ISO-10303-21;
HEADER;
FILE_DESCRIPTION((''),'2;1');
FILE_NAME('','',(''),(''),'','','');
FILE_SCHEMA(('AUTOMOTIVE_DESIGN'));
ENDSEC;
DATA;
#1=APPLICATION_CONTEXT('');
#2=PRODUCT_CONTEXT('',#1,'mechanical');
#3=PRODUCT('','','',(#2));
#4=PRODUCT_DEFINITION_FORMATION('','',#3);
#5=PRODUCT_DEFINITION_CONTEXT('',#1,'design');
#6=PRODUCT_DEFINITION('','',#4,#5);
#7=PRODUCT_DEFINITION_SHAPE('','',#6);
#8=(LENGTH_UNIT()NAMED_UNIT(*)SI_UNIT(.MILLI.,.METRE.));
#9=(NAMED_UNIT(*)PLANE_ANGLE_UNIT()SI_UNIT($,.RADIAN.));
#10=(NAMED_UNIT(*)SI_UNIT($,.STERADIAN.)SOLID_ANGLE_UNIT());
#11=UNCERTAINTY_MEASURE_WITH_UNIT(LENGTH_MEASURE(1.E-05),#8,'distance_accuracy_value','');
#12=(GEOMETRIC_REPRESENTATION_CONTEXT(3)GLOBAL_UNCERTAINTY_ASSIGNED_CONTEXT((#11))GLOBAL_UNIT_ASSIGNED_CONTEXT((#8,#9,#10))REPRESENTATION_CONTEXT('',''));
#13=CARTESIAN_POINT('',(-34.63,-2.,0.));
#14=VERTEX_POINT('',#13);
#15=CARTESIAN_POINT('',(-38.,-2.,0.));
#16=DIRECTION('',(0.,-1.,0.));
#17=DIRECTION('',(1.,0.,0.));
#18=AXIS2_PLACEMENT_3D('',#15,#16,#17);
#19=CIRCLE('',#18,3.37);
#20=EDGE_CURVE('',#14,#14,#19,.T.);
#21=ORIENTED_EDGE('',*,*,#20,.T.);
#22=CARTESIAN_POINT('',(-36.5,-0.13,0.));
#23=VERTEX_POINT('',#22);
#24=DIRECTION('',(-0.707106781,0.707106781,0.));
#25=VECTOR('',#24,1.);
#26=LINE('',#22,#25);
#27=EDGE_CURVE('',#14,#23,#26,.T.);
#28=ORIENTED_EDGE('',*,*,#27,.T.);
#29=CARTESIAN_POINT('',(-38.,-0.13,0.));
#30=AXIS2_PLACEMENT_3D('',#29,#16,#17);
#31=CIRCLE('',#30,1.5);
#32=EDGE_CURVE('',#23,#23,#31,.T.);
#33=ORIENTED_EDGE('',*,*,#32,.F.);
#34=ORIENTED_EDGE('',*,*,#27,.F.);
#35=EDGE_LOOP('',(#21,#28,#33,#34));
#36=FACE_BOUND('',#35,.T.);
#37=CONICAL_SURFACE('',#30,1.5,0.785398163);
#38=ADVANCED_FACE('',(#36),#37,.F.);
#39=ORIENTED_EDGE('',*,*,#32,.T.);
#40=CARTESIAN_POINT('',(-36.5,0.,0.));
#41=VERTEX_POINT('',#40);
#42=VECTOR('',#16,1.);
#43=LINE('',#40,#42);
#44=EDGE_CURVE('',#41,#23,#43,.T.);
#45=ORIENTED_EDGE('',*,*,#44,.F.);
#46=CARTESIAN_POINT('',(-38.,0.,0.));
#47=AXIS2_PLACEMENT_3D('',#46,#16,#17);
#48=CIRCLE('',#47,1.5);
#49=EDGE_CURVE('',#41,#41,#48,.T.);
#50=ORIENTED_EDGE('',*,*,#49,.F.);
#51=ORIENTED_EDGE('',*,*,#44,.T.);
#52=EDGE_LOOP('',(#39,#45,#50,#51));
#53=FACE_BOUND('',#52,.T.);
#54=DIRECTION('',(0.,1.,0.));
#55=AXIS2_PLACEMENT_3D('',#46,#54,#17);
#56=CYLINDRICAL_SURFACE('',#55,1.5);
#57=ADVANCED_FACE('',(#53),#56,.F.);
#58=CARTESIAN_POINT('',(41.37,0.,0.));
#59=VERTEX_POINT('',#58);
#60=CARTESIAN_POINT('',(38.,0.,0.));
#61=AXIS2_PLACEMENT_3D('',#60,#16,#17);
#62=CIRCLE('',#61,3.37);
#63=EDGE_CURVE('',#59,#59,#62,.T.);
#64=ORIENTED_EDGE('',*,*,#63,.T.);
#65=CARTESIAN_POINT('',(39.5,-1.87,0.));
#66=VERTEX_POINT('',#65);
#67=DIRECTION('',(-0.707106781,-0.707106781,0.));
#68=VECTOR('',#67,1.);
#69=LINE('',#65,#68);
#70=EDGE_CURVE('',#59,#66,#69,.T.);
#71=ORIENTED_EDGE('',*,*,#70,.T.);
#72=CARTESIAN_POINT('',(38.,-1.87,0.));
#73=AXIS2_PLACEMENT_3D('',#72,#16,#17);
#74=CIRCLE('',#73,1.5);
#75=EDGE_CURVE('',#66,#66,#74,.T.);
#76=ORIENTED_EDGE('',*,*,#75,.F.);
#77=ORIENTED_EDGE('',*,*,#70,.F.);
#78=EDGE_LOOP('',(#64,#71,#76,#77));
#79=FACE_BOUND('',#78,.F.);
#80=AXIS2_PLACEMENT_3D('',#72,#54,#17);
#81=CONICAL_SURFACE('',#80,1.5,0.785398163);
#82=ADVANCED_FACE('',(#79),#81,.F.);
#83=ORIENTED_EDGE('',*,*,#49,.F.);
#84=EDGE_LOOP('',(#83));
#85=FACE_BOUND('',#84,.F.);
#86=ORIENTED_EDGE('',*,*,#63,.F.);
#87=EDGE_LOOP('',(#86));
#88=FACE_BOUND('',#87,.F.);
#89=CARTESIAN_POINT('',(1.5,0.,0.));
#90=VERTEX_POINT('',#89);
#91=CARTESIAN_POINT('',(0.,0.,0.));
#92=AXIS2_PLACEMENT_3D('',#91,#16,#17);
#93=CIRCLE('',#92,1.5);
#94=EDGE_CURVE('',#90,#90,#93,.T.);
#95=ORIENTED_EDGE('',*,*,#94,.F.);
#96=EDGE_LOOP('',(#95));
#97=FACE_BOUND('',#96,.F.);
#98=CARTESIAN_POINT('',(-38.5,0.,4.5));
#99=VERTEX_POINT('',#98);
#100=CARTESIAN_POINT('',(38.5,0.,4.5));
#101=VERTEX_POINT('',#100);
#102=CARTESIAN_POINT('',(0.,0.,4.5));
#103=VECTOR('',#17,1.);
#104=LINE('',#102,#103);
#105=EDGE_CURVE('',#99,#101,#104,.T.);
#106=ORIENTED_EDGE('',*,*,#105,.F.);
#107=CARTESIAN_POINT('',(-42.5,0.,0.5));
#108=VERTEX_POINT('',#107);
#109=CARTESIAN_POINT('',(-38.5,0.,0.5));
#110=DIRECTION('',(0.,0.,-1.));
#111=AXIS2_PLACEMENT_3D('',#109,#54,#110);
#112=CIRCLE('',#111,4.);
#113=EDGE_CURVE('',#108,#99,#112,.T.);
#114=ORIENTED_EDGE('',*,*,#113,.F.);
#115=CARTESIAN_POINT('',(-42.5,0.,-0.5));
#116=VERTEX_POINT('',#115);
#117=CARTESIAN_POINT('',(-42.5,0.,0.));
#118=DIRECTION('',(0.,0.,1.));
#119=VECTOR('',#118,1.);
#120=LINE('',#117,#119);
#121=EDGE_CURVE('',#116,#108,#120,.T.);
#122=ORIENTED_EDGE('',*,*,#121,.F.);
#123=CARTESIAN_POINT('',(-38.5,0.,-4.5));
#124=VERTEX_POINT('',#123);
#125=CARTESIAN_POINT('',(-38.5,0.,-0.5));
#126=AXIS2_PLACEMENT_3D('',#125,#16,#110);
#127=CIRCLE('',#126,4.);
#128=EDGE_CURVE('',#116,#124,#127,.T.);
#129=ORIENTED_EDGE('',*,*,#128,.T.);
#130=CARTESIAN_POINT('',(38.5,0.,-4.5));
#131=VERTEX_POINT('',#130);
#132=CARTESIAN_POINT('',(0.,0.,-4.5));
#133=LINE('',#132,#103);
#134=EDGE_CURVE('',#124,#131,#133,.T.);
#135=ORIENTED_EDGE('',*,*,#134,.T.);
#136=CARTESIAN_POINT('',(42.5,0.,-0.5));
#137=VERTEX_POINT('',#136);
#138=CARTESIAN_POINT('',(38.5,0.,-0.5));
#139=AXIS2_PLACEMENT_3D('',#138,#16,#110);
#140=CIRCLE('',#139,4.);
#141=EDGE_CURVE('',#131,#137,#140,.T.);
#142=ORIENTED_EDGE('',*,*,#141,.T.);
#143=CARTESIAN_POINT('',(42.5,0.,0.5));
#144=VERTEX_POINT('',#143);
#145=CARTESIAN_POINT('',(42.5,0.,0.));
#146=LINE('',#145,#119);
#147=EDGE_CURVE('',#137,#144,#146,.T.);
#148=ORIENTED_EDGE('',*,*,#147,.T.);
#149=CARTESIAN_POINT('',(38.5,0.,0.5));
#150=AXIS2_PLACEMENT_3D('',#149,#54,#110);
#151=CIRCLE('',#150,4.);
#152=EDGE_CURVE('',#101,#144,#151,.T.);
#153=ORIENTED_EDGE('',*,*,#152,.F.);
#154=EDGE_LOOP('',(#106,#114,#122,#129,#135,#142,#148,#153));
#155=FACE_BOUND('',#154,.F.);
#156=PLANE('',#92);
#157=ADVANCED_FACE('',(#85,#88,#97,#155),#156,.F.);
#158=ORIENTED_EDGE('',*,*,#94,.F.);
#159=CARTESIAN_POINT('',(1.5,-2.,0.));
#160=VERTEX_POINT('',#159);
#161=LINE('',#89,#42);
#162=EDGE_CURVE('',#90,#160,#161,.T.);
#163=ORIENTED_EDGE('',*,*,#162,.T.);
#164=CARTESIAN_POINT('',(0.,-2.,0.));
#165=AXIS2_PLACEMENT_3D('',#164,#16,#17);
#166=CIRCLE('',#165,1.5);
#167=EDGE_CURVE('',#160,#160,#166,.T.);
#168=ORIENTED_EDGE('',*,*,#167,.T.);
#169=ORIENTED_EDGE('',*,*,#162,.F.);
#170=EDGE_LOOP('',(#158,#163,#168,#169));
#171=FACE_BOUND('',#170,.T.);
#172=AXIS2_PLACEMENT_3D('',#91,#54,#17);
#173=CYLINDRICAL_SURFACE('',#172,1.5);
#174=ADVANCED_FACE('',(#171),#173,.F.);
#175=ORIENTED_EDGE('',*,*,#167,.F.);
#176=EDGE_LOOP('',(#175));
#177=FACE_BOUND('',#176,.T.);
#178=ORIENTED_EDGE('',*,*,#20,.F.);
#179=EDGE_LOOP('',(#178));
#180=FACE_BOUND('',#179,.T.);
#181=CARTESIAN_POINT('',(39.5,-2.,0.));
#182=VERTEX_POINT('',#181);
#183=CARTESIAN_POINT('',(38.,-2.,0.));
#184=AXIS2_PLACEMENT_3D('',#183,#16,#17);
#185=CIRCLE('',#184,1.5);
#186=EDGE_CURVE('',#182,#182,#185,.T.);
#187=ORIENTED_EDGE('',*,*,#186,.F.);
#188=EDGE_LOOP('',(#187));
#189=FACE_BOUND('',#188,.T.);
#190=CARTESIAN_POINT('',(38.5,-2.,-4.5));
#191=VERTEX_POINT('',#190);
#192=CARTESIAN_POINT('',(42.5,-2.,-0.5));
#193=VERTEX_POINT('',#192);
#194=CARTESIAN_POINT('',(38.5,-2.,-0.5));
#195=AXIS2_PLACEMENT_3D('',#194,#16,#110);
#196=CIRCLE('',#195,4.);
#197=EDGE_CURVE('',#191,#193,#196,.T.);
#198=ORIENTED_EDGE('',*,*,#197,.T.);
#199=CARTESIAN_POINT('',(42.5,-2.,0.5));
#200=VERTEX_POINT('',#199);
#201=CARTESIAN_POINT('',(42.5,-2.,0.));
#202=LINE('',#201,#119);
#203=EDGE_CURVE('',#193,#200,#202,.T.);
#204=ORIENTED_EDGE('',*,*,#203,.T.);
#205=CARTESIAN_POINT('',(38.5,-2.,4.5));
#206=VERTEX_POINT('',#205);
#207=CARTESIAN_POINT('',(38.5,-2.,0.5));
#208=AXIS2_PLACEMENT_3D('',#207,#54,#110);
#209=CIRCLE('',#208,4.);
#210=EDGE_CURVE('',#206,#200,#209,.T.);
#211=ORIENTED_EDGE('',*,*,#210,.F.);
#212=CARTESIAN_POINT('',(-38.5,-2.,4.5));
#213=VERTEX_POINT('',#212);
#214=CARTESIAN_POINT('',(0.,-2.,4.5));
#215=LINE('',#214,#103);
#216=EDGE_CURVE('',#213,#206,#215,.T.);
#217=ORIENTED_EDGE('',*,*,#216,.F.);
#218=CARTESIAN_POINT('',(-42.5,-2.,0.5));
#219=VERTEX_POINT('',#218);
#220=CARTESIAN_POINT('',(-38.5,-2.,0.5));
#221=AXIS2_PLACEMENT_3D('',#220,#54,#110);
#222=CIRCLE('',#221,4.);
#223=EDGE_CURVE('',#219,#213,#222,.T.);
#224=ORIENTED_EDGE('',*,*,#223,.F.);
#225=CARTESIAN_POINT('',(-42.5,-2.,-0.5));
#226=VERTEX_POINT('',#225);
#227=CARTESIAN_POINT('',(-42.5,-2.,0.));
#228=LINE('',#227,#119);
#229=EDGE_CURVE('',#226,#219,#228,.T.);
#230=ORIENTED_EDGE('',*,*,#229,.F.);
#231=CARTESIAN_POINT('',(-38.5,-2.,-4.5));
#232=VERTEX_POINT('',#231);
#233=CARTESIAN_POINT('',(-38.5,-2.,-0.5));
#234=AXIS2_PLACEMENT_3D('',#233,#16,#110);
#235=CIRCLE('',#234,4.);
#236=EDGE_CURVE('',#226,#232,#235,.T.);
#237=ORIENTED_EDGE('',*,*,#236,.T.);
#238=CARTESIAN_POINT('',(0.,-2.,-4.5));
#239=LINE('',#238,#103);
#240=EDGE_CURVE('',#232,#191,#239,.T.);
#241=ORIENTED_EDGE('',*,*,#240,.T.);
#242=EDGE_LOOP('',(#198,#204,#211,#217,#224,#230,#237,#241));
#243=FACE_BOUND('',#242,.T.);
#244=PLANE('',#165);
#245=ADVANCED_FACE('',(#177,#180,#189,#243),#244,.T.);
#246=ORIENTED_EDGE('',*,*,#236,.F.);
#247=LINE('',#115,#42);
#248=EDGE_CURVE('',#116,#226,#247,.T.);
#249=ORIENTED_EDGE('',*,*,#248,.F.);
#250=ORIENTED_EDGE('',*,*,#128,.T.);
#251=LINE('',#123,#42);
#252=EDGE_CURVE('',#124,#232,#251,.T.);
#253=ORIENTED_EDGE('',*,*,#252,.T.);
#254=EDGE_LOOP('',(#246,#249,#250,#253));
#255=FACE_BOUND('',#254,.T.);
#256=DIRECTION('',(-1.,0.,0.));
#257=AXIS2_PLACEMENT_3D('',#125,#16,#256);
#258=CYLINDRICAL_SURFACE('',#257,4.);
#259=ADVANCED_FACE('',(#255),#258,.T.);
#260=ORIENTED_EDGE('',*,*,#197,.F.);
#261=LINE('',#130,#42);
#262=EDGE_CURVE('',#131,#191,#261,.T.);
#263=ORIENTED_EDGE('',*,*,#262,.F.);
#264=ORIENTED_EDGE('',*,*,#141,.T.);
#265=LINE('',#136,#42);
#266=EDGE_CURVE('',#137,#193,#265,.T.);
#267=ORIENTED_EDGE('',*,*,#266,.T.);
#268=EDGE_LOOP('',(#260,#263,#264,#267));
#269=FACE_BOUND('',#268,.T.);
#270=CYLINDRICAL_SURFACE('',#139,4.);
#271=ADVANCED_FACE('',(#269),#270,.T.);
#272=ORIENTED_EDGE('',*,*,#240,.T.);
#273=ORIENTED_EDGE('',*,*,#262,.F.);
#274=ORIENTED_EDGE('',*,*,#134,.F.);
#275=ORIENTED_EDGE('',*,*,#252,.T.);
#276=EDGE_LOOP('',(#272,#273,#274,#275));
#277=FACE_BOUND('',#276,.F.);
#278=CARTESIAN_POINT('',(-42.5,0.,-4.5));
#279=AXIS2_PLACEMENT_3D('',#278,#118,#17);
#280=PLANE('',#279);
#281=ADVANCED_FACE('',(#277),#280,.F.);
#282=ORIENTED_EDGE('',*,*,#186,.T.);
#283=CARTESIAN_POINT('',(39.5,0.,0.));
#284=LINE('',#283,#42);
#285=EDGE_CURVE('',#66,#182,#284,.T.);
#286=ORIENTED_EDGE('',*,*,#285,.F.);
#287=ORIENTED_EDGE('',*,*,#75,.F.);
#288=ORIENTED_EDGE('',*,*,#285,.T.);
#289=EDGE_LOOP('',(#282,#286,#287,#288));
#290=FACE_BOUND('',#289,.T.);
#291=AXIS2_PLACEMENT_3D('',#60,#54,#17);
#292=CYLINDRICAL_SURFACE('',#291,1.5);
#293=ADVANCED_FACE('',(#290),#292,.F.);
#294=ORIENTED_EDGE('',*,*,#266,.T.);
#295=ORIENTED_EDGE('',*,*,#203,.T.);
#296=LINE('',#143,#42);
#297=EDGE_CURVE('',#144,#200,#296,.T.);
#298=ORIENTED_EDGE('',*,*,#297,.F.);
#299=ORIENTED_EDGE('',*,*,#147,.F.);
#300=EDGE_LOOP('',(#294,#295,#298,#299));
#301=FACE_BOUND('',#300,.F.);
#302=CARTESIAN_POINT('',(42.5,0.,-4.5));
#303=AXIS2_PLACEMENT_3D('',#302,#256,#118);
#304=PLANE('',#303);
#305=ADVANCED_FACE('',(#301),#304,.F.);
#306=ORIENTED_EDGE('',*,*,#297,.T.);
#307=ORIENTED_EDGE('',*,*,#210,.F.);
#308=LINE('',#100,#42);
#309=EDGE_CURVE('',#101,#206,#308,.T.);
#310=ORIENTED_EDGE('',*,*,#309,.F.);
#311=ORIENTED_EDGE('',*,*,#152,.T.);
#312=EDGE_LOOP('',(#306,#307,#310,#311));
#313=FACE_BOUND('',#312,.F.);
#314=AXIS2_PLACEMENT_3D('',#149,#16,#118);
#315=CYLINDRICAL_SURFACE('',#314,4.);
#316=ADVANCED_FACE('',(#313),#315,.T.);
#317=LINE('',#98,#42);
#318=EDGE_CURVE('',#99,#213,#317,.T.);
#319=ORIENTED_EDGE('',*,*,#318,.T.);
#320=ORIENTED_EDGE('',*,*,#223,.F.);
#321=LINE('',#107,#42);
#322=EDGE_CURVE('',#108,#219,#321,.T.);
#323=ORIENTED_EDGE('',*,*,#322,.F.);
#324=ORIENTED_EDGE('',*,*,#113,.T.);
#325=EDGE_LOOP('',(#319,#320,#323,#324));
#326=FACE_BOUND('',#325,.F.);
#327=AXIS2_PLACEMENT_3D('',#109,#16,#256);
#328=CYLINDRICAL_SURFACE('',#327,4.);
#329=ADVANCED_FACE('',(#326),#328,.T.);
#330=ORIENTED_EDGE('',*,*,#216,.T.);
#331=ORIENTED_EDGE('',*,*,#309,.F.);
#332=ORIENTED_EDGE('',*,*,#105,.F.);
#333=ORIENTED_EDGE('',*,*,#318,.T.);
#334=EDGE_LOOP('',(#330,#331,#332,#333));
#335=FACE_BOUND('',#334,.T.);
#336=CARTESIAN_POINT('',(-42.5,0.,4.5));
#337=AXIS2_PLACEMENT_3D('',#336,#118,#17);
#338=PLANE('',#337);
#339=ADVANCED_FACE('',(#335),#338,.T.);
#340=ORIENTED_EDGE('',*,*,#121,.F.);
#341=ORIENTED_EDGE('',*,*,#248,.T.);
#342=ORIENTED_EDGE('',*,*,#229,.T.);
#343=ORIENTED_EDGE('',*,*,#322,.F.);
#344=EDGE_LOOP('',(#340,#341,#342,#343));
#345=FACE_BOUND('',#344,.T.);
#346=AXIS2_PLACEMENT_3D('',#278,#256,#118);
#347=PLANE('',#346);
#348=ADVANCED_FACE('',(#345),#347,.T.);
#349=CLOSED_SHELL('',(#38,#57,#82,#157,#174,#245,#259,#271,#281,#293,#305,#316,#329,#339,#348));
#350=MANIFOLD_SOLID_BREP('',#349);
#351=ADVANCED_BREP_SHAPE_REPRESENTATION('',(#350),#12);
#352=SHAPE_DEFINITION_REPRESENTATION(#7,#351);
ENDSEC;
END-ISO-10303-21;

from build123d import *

# Parameters (mm, degrees)
F0_W     = 85
F0_H     = 9
F0_R     = 1.5
F1_DEPTH = 2
F2_R     = 4
F3_SIZE  = 1.87


with BuildPart() as f1:
    # F0 (on Front) → F1 (new body)
    with BuildSketch(Plane.XZ):
        Rectangle(F0_W, F0_H)
        with Locations((-38, 0)):
            Circle(F0_R, mode=Mode.SUBTRACT)
        Circle(F0_R, mode=Mode.SUBTRACT)
        with Locations((38, 0)):
            Circle(F0_R, mode=Mode.SUBTRACT)
    extrude(amount=F1_DEPTH)

    # F2
    f2_edges = [f1.edges().sort_by_distance(p)[0] for p in [
        (-42.5, -1, 4.5),
        (-42.5, -1, -4.5),
        (42.5, -1, -4.5),
        (42.5, -1, 4.5),
    ]]
    fillet(f2_edges, radius=F2_R)

    # F3
    f3_edges = [f1.edges().sort_by_distance(p)[0] for p in [
        (-39.5, -2, 0),
        (36.5, 0, 0),
    ]]
    chamfer(f3_edges, length=F3_SIZE)


solid = f1.part
